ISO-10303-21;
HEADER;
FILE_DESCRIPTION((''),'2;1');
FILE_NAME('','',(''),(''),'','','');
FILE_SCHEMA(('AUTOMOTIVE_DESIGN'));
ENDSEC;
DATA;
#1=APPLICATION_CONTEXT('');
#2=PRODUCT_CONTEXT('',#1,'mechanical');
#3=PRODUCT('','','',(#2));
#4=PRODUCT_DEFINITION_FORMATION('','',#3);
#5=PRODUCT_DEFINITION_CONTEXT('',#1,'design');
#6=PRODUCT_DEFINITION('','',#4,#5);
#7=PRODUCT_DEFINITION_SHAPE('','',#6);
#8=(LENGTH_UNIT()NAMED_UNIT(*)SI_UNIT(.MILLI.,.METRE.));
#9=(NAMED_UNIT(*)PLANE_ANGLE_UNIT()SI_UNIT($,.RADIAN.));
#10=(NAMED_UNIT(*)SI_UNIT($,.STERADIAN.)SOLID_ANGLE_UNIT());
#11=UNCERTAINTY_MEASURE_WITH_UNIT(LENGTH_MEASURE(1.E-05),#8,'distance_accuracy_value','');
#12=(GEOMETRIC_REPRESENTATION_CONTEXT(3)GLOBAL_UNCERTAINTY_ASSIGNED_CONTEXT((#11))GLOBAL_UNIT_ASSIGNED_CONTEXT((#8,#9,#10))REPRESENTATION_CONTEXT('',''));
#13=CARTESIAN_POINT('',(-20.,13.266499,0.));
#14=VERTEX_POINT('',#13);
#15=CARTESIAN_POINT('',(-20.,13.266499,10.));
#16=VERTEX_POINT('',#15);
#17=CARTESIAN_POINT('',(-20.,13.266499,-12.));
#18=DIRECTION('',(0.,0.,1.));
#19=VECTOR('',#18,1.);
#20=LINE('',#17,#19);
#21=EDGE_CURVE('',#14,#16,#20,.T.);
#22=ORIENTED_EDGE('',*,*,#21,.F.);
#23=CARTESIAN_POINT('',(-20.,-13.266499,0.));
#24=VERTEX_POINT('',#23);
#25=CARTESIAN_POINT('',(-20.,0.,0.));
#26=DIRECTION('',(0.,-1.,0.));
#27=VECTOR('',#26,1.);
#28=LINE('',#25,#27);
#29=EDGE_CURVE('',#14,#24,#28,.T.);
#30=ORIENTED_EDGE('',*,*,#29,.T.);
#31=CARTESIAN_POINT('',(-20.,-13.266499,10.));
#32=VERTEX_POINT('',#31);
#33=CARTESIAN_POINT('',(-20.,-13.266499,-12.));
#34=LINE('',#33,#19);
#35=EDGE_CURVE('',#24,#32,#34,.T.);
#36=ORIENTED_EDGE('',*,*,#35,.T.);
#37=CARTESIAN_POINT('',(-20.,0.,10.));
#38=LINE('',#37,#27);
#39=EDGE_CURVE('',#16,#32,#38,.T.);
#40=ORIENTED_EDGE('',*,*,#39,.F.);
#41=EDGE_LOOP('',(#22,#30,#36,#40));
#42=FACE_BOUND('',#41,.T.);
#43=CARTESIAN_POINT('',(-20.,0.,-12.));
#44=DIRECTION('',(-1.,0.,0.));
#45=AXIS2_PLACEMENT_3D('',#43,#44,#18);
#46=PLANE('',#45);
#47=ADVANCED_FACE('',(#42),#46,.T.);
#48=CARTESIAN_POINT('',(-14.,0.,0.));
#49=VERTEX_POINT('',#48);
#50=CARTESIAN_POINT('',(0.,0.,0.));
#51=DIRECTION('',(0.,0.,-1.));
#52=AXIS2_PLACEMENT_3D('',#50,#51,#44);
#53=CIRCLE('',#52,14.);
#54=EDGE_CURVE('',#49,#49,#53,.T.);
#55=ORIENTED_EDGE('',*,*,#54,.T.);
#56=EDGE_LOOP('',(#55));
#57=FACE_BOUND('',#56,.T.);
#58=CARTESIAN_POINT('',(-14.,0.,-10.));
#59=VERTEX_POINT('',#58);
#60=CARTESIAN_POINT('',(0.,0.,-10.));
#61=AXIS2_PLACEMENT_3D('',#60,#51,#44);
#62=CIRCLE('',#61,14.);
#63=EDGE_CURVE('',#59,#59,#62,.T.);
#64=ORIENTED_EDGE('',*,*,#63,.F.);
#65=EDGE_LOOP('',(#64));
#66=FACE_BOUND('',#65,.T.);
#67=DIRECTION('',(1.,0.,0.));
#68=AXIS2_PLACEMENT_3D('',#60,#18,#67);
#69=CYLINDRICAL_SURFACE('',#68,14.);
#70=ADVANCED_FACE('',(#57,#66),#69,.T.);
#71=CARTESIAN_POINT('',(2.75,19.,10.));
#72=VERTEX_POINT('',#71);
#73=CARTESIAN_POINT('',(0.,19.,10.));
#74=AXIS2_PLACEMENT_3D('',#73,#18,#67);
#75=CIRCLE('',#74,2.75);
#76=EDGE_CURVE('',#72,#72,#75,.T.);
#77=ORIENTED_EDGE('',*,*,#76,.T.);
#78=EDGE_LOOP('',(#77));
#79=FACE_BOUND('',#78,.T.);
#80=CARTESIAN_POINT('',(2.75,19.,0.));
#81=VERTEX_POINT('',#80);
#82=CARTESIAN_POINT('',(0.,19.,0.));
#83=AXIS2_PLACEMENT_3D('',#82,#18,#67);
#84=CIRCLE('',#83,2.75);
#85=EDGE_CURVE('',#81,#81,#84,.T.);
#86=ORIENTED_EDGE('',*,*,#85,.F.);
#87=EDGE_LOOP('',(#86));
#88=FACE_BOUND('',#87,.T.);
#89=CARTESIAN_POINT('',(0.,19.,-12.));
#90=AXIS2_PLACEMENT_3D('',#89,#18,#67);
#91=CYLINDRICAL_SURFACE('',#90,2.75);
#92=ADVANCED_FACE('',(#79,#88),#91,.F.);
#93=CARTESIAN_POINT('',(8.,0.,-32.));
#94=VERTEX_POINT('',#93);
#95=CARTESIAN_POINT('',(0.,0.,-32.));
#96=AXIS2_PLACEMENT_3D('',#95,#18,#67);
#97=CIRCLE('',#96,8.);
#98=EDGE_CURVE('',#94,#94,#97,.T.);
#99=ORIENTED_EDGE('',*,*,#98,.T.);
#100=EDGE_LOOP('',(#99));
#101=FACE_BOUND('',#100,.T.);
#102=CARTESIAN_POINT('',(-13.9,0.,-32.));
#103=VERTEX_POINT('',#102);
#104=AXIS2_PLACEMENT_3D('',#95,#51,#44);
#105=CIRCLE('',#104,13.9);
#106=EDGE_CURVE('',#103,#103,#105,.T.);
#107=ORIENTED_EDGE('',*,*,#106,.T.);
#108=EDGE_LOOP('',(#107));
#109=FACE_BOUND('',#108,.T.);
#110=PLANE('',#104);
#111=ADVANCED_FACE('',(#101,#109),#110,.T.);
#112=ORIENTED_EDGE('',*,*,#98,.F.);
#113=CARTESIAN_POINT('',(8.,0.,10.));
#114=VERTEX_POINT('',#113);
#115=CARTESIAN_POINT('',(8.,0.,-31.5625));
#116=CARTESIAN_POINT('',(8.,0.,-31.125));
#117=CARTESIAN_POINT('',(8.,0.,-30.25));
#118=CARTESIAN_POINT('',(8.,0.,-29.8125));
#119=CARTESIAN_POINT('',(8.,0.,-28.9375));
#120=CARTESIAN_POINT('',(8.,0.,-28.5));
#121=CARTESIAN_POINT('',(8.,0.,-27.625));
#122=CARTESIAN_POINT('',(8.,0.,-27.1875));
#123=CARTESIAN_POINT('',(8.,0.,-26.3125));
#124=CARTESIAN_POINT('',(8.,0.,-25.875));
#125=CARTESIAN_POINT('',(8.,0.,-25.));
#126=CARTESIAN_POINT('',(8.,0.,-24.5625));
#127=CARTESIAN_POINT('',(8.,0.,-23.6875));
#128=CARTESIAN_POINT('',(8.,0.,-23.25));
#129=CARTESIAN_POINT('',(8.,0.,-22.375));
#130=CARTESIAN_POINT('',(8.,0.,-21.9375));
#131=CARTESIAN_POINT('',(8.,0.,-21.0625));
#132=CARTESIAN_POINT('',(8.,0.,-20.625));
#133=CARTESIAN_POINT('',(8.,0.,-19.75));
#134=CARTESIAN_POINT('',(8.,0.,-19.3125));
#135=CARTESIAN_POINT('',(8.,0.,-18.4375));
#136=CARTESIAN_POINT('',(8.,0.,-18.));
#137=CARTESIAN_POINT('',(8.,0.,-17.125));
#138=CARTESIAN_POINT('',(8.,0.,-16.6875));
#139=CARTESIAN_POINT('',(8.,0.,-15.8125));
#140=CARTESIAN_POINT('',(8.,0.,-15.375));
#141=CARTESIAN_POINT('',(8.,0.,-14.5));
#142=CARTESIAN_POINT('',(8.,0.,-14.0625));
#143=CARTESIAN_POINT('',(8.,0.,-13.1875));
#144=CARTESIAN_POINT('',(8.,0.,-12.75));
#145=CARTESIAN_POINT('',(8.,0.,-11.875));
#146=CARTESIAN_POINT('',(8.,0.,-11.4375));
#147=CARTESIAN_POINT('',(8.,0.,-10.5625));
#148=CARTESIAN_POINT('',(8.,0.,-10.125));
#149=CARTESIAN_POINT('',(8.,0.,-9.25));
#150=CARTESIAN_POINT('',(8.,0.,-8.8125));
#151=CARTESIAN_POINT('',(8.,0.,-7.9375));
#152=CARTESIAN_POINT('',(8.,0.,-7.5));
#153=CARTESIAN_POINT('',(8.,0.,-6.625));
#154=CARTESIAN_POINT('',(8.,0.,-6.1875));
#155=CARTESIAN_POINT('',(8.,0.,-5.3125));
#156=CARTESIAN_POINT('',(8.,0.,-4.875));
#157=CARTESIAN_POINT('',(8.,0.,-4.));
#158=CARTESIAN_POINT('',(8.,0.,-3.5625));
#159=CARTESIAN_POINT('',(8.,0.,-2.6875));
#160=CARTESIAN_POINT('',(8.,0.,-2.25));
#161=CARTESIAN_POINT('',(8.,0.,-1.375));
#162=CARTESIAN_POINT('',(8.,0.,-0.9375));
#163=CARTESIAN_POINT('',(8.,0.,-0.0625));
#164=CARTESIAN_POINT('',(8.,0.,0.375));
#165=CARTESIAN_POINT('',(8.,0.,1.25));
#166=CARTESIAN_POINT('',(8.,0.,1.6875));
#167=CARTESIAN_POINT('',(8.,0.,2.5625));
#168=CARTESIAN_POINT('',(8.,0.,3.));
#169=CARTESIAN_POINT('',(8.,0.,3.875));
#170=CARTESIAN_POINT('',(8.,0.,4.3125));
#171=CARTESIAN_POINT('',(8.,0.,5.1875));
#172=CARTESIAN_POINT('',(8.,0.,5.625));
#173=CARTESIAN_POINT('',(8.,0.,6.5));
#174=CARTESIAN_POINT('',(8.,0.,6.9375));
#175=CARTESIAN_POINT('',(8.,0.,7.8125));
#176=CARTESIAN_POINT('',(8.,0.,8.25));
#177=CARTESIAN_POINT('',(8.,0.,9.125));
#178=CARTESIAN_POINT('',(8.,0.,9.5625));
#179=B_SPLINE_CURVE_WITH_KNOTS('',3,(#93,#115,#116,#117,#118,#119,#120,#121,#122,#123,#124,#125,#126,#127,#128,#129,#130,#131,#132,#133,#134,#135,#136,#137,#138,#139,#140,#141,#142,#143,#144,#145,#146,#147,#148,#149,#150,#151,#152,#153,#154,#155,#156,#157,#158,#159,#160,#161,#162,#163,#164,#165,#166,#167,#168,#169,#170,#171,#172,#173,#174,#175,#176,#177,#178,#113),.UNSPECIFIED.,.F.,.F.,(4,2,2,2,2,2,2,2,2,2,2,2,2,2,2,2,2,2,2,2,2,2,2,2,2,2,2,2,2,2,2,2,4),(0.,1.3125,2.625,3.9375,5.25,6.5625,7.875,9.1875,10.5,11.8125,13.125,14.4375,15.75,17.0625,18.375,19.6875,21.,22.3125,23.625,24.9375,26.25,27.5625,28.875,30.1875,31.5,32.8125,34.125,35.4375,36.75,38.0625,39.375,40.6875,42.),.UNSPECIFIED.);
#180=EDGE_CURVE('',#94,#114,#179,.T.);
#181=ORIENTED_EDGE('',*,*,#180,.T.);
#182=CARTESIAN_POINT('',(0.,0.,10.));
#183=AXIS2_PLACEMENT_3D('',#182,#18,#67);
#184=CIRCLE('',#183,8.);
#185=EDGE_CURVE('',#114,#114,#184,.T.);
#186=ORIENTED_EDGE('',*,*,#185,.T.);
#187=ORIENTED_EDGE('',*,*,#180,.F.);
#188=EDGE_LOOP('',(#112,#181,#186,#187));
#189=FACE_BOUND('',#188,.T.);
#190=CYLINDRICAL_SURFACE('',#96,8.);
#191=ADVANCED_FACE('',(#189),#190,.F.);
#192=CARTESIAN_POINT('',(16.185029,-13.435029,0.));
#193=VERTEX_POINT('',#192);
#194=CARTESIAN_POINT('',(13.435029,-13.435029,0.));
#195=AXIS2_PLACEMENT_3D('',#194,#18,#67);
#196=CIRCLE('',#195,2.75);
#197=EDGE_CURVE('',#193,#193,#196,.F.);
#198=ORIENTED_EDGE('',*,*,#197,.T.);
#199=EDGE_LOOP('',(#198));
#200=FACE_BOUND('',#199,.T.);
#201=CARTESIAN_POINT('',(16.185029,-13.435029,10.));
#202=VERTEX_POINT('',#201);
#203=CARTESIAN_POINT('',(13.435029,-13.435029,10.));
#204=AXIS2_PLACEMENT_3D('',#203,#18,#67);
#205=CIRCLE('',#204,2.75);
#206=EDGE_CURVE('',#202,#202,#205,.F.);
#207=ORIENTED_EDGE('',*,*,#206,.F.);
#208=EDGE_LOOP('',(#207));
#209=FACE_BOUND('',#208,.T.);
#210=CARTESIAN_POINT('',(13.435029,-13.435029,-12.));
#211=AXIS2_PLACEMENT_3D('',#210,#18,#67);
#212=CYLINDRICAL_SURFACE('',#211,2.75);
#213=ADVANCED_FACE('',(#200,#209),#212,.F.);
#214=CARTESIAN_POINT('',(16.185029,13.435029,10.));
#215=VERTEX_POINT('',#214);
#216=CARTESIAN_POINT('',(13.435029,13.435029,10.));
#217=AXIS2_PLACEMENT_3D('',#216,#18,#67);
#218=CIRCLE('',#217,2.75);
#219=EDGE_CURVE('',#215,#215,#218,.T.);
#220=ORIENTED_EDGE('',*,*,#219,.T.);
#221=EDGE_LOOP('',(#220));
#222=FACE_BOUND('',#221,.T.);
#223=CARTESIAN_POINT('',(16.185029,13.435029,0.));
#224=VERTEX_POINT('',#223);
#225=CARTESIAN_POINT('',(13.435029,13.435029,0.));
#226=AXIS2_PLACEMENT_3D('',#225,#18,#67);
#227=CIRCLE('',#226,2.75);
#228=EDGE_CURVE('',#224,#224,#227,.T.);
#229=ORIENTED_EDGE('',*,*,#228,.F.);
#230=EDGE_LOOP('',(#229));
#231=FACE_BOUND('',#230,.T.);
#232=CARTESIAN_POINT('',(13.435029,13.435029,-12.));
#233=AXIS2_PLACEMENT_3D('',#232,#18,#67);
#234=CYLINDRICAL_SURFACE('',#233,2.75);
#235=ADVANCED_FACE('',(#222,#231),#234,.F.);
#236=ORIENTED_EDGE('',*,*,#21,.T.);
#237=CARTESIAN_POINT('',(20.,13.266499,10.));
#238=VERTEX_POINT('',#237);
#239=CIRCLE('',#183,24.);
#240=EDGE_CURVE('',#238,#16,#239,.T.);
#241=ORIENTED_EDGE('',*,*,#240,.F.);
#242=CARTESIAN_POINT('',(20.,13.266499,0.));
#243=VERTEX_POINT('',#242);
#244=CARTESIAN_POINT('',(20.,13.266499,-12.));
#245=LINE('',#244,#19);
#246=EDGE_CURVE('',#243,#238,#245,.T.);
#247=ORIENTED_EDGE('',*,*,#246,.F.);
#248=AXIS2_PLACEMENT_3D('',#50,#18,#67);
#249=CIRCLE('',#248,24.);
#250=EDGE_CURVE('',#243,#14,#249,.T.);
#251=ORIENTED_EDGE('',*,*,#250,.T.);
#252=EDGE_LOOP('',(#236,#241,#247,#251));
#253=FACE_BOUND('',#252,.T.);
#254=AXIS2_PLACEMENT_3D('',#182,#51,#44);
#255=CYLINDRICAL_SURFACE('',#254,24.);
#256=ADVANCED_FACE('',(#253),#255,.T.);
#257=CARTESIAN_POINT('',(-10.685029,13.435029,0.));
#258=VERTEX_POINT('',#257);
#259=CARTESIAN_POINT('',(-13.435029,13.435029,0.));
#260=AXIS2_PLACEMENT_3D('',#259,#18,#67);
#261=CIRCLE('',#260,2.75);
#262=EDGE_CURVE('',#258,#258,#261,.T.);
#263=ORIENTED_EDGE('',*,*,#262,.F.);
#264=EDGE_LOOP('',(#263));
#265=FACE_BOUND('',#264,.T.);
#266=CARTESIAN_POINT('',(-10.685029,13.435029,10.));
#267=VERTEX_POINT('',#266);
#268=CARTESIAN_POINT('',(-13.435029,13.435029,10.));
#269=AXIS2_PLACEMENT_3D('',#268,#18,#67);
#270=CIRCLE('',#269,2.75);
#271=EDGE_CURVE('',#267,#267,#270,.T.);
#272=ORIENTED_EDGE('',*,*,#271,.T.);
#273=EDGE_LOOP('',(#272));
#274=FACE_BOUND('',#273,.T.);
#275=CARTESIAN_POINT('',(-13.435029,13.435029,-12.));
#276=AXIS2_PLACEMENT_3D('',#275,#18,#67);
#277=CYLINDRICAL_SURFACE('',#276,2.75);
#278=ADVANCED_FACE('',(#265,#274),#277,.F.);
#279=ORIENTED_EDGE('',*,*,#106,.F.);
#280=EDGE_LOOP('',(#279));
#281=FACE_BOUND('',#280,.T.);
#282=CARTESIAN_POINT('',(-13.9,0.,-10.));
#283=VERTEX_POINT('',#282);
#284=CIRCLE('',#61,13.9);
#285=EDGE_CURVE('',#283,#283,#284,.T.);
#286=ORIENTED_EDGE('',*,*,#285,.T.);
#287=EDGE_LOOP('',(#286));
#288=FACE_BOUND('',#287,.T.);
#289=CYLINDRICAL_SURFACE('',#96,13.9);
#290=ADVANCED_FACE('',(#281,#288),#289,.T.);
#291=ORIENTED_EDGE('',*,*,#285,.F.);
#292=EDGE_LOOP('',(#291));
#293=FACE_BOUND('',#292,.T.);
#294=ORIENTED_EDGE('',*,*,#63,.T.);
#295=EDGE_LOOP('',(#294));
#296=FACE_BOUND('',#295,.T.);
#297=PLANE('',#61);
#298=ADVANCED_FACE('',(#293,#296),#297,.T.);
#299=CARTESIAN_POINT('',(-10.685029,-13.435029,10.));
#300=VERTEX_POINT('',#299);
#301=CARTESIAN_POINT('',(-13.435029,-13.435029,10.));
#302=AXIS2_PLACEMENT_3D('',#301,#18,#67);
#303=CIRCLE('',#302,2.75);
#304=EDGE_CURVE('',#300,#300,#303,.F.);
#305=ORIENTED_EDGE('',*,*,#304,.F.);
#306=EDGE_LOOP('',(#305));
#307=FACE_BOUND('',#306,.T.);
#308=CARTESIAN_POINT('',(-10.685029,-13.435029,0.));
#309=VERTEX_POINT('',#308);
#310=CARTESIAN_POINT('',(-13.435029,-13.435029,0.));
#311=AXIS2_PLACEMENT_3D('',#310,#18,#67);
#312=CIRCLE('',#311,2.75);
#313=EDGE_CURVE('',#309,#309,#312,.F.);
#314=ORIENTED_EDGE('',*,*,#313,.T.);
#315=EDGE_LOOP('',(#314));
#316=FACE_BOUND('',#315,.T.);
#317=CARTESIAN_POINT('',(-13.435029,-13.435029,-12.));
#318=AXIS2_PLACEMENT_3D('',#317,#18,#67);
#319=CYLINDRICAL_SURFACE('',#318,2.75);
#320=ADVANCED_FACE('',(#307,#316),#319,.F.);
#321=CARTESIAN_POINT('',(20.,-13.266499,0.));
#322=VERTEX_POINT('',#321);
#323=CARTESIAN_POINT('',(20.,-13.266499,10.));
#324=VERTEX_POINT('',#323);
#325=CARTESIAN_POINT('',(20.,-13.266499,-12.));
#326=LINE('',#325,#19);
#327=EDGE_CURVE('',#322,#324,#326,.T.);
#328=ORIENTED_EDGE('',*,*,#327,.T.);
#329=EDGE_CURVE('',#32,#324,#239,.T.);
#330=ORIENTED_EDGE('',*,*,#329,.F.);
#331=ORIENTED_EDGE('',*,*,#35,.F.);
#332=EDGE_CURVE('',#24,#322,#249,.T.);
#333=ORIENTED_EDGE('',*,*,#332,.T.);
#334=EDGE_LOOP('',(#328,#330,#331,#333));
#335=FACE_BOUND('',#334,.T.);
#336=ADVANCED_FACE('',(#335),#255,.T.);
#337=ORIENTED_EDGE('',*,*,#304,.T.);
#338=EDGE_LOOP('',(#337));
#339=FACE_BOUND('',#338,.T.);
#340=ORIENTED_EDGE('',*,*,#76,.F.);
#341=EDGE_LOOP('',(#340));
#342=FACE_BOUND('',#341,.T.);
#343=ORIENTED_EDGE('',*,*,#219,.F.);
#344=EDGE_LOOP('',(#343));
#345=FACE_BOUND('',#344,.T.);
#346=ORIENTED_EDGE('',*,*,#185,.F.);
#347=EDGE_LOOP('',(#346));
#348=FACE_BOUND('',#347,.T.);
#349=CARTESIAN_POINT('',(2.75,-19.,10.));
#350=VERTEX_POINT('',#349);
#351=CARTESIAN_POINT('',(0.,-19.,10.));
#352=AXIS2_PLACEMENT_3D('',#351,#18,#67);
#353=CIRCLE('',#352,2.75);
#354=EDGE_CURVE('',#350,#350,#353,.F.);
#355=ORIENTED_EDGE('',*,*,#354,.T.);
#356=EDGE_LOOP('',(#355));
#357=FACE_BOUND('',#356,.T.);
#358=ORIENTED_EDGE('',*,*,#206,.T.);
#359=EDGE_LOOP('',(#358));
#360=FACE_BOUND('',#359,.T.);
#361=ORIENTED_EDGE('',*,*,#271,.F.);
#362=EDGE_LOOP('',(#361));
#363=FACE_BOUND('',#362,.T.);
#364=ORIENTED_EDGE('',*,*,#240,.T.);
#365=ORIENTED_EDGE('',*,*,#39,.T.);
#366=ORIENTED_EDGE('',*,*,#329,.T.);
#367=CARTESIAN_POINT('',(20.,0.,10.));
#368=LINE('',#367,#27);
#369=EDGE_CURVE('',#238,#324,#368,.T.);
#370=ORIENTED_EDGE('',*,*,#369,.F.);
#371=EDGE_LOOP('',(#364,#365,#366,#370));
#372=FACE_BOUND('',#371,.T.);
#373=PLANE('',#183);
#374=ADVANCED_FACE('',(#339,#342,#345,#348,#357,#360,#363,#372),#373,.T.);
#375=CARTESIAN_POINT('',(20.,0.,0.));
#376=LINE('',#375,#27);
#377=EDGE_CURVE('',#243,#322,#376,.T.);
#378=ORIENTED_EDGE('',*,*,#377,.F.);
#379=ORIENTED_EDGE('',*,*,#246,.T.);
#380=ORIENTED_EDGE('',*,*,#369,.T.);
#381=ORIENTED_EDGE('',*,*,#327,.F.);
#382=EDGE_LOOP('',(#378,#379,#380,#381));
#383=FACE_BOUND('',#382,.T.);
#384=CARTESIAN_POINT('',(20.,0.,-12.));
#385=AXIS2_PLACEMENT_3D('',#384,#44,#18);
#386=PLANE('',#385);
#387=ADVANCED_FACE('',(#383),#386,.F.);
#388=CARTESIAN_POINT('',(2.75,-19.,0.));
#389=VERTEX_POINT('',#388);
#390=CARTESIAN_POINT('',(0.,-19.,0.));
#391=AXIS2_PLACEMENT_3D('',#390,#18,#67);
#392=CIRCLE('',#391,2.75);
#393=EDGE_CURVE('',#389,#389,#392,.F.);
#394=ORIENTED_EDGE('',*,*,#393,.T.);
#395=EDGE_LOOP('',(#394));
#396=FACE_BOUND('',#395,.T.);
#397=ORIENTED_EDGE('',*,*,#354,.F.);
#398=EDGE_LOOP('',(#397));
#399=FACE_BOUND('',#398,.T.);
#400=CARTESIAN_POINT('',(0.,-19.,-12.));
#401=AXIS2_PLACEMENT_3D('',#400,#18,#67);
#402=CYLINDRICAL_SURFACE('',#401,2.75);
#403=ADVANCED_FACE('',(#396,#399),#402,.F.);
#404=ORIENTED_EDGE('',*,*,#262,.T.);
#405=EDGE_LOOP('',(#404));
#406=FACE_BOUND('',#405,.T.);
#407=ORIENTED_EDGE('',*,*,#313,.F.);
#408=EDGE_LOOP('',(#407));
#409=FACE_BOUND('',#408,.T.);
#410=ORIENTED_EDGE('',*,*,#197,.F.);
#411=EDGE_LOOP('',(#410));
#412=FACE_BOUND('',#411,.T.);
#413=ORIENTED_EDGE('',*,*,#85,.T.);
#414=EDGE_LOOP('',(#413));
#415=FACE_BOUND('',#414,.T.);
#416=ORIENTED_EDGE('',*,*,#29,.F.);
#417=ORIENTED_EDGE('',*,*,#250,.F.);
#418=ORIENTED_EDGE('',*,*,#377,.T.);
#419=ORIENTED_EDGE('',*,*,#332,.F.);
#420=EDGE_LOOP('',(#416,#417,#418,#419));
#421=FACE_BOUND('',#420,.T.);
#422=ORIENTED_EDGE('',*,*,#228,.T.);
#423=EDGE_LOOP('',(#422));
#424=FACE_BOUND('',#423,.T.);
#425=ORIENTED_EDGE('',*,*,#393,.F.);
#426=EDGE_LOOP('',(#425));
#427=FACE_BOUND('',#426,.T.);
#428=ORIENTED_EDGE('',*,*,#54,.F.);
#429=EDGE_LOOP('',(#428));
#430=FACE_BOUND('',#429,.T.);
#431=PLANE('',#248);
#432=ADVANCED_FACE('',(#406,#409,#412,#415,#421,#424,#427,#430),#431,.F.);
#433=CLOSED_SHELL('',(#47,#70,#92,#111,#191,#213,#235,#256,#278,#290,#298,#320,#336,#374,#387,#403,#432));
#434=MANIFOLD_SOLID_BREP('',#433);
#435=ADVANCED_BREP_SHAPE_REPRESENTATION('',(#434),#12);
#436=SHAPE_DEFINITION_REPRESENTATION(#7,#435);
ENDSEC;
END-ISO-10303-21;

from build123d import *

# Parameters (mm, degrees)
SKETCH_1_R          = 24
EXTRUDE_1_DEPTH     = 10
SKETCH_2_R          = 14
EXTRUDE_2_DEPTH     = 10
SKETCH_3_R          = 13.9
EXTRUDE_3_DEPTH     = 22
CUT_EXTRUDE_START   = -22
CUT_EXTRUDE_1_DEPTH = 22
SKETCH_5_R          = 2.75
CUT_EXTRUDE_2_DEPTH = 22
SKETCH_6_R          = 8
CUT_EXTRUDE_3_DEPTH = 53.345009313


with BuildPart() as part:
    # 스케치1 → 보스-돌출1 (new body)
    with BuildSketch(Plane.XY):
        Circle(SKETCH_1_R)
    extrude(amount=EXTRUDE_1_DEPTH)

    # 스케치2 → 보스-돌출2 (add)
    with BuildSketch(Plane(origin=(0, 0, 0), x_dir=(-1, 0, 0), z_dir=(0, 0, -1))):
        Circle(SKETCH_2_R)
    extrude(amount=EXTRUDE_2_DEPTH)

    # 스케치3 → 보스-돌출3 (add)
    with BuildSketch(Plane(origin=(0, 0, -10), x_dir=(-1, 0, 0), z_dir=(0, 0, -1))):
        Circle(SKETCH_3_R)
    extrude(amount=EXTRUDE_3_DEPTH)

    # 스케치4 → 컷-돌출1 (cut)
    with BuildSketch(Plane.XY.offset(10).offset(CUT_EXTRUDE_START)):
        with BuildLine():
            ThreePointArc((24, 0), (22.978250586, 6.92820323), (20, 13.266499161))
            Line((20, 13.266499161), (20, -13.266499161))
            ThreePointArc((20, -13.266499161), (22.978250586, -6.92820323), (24, 0))
        make_face()
        with BuildLine():
            Line((-20, -13.266499161), (-20, 13.266499161))
            ThreePointArc((-20, 13.266499161), (-24, 0), (-20, -13.266499161))
        make_face()
    extrude(amount=CUT_EXTRUDE_1_DEPTH, mode=Mode.SUBTRACT)

    # 스케치5 → 컷-돌출2 (cut)
    with BuildSketch(Plane.XY.offset(10)):
        with Locations((0, 19)):
            Circle(SKETCH_5_R)
        with Locations((-13.435028843, 13.435028843)):
            Circle(SKETCH_5_R)
        with Locations((13.435028843, 13.435028843)):
            Circle(SKETCH_5_R)
        with Locations((13.435028843, -13.435028843)):
            Circle(SKETCH_5_R)
        with Locations((0, -19)):
            Circle(SKETCH_5_R)
        with Locations((-13.435028843, -13.435028843)):
            Circle(SKETCH_5_R)
    extrude(amount=-CUT_EXTRUDE_2_DEPTH, mode=Mode.SUBTRACT)

    # 스케치6 → 컷-돌출3 (cut, through all)
    with BuildSketch(Plane.XY.offset(10)):
        Circle(SKETCH_6_R)
    extrude(amount=-CUT_EXTRUDE_3_DEPTH, mode=Mode.SUBTRACT)


solid = part.part
